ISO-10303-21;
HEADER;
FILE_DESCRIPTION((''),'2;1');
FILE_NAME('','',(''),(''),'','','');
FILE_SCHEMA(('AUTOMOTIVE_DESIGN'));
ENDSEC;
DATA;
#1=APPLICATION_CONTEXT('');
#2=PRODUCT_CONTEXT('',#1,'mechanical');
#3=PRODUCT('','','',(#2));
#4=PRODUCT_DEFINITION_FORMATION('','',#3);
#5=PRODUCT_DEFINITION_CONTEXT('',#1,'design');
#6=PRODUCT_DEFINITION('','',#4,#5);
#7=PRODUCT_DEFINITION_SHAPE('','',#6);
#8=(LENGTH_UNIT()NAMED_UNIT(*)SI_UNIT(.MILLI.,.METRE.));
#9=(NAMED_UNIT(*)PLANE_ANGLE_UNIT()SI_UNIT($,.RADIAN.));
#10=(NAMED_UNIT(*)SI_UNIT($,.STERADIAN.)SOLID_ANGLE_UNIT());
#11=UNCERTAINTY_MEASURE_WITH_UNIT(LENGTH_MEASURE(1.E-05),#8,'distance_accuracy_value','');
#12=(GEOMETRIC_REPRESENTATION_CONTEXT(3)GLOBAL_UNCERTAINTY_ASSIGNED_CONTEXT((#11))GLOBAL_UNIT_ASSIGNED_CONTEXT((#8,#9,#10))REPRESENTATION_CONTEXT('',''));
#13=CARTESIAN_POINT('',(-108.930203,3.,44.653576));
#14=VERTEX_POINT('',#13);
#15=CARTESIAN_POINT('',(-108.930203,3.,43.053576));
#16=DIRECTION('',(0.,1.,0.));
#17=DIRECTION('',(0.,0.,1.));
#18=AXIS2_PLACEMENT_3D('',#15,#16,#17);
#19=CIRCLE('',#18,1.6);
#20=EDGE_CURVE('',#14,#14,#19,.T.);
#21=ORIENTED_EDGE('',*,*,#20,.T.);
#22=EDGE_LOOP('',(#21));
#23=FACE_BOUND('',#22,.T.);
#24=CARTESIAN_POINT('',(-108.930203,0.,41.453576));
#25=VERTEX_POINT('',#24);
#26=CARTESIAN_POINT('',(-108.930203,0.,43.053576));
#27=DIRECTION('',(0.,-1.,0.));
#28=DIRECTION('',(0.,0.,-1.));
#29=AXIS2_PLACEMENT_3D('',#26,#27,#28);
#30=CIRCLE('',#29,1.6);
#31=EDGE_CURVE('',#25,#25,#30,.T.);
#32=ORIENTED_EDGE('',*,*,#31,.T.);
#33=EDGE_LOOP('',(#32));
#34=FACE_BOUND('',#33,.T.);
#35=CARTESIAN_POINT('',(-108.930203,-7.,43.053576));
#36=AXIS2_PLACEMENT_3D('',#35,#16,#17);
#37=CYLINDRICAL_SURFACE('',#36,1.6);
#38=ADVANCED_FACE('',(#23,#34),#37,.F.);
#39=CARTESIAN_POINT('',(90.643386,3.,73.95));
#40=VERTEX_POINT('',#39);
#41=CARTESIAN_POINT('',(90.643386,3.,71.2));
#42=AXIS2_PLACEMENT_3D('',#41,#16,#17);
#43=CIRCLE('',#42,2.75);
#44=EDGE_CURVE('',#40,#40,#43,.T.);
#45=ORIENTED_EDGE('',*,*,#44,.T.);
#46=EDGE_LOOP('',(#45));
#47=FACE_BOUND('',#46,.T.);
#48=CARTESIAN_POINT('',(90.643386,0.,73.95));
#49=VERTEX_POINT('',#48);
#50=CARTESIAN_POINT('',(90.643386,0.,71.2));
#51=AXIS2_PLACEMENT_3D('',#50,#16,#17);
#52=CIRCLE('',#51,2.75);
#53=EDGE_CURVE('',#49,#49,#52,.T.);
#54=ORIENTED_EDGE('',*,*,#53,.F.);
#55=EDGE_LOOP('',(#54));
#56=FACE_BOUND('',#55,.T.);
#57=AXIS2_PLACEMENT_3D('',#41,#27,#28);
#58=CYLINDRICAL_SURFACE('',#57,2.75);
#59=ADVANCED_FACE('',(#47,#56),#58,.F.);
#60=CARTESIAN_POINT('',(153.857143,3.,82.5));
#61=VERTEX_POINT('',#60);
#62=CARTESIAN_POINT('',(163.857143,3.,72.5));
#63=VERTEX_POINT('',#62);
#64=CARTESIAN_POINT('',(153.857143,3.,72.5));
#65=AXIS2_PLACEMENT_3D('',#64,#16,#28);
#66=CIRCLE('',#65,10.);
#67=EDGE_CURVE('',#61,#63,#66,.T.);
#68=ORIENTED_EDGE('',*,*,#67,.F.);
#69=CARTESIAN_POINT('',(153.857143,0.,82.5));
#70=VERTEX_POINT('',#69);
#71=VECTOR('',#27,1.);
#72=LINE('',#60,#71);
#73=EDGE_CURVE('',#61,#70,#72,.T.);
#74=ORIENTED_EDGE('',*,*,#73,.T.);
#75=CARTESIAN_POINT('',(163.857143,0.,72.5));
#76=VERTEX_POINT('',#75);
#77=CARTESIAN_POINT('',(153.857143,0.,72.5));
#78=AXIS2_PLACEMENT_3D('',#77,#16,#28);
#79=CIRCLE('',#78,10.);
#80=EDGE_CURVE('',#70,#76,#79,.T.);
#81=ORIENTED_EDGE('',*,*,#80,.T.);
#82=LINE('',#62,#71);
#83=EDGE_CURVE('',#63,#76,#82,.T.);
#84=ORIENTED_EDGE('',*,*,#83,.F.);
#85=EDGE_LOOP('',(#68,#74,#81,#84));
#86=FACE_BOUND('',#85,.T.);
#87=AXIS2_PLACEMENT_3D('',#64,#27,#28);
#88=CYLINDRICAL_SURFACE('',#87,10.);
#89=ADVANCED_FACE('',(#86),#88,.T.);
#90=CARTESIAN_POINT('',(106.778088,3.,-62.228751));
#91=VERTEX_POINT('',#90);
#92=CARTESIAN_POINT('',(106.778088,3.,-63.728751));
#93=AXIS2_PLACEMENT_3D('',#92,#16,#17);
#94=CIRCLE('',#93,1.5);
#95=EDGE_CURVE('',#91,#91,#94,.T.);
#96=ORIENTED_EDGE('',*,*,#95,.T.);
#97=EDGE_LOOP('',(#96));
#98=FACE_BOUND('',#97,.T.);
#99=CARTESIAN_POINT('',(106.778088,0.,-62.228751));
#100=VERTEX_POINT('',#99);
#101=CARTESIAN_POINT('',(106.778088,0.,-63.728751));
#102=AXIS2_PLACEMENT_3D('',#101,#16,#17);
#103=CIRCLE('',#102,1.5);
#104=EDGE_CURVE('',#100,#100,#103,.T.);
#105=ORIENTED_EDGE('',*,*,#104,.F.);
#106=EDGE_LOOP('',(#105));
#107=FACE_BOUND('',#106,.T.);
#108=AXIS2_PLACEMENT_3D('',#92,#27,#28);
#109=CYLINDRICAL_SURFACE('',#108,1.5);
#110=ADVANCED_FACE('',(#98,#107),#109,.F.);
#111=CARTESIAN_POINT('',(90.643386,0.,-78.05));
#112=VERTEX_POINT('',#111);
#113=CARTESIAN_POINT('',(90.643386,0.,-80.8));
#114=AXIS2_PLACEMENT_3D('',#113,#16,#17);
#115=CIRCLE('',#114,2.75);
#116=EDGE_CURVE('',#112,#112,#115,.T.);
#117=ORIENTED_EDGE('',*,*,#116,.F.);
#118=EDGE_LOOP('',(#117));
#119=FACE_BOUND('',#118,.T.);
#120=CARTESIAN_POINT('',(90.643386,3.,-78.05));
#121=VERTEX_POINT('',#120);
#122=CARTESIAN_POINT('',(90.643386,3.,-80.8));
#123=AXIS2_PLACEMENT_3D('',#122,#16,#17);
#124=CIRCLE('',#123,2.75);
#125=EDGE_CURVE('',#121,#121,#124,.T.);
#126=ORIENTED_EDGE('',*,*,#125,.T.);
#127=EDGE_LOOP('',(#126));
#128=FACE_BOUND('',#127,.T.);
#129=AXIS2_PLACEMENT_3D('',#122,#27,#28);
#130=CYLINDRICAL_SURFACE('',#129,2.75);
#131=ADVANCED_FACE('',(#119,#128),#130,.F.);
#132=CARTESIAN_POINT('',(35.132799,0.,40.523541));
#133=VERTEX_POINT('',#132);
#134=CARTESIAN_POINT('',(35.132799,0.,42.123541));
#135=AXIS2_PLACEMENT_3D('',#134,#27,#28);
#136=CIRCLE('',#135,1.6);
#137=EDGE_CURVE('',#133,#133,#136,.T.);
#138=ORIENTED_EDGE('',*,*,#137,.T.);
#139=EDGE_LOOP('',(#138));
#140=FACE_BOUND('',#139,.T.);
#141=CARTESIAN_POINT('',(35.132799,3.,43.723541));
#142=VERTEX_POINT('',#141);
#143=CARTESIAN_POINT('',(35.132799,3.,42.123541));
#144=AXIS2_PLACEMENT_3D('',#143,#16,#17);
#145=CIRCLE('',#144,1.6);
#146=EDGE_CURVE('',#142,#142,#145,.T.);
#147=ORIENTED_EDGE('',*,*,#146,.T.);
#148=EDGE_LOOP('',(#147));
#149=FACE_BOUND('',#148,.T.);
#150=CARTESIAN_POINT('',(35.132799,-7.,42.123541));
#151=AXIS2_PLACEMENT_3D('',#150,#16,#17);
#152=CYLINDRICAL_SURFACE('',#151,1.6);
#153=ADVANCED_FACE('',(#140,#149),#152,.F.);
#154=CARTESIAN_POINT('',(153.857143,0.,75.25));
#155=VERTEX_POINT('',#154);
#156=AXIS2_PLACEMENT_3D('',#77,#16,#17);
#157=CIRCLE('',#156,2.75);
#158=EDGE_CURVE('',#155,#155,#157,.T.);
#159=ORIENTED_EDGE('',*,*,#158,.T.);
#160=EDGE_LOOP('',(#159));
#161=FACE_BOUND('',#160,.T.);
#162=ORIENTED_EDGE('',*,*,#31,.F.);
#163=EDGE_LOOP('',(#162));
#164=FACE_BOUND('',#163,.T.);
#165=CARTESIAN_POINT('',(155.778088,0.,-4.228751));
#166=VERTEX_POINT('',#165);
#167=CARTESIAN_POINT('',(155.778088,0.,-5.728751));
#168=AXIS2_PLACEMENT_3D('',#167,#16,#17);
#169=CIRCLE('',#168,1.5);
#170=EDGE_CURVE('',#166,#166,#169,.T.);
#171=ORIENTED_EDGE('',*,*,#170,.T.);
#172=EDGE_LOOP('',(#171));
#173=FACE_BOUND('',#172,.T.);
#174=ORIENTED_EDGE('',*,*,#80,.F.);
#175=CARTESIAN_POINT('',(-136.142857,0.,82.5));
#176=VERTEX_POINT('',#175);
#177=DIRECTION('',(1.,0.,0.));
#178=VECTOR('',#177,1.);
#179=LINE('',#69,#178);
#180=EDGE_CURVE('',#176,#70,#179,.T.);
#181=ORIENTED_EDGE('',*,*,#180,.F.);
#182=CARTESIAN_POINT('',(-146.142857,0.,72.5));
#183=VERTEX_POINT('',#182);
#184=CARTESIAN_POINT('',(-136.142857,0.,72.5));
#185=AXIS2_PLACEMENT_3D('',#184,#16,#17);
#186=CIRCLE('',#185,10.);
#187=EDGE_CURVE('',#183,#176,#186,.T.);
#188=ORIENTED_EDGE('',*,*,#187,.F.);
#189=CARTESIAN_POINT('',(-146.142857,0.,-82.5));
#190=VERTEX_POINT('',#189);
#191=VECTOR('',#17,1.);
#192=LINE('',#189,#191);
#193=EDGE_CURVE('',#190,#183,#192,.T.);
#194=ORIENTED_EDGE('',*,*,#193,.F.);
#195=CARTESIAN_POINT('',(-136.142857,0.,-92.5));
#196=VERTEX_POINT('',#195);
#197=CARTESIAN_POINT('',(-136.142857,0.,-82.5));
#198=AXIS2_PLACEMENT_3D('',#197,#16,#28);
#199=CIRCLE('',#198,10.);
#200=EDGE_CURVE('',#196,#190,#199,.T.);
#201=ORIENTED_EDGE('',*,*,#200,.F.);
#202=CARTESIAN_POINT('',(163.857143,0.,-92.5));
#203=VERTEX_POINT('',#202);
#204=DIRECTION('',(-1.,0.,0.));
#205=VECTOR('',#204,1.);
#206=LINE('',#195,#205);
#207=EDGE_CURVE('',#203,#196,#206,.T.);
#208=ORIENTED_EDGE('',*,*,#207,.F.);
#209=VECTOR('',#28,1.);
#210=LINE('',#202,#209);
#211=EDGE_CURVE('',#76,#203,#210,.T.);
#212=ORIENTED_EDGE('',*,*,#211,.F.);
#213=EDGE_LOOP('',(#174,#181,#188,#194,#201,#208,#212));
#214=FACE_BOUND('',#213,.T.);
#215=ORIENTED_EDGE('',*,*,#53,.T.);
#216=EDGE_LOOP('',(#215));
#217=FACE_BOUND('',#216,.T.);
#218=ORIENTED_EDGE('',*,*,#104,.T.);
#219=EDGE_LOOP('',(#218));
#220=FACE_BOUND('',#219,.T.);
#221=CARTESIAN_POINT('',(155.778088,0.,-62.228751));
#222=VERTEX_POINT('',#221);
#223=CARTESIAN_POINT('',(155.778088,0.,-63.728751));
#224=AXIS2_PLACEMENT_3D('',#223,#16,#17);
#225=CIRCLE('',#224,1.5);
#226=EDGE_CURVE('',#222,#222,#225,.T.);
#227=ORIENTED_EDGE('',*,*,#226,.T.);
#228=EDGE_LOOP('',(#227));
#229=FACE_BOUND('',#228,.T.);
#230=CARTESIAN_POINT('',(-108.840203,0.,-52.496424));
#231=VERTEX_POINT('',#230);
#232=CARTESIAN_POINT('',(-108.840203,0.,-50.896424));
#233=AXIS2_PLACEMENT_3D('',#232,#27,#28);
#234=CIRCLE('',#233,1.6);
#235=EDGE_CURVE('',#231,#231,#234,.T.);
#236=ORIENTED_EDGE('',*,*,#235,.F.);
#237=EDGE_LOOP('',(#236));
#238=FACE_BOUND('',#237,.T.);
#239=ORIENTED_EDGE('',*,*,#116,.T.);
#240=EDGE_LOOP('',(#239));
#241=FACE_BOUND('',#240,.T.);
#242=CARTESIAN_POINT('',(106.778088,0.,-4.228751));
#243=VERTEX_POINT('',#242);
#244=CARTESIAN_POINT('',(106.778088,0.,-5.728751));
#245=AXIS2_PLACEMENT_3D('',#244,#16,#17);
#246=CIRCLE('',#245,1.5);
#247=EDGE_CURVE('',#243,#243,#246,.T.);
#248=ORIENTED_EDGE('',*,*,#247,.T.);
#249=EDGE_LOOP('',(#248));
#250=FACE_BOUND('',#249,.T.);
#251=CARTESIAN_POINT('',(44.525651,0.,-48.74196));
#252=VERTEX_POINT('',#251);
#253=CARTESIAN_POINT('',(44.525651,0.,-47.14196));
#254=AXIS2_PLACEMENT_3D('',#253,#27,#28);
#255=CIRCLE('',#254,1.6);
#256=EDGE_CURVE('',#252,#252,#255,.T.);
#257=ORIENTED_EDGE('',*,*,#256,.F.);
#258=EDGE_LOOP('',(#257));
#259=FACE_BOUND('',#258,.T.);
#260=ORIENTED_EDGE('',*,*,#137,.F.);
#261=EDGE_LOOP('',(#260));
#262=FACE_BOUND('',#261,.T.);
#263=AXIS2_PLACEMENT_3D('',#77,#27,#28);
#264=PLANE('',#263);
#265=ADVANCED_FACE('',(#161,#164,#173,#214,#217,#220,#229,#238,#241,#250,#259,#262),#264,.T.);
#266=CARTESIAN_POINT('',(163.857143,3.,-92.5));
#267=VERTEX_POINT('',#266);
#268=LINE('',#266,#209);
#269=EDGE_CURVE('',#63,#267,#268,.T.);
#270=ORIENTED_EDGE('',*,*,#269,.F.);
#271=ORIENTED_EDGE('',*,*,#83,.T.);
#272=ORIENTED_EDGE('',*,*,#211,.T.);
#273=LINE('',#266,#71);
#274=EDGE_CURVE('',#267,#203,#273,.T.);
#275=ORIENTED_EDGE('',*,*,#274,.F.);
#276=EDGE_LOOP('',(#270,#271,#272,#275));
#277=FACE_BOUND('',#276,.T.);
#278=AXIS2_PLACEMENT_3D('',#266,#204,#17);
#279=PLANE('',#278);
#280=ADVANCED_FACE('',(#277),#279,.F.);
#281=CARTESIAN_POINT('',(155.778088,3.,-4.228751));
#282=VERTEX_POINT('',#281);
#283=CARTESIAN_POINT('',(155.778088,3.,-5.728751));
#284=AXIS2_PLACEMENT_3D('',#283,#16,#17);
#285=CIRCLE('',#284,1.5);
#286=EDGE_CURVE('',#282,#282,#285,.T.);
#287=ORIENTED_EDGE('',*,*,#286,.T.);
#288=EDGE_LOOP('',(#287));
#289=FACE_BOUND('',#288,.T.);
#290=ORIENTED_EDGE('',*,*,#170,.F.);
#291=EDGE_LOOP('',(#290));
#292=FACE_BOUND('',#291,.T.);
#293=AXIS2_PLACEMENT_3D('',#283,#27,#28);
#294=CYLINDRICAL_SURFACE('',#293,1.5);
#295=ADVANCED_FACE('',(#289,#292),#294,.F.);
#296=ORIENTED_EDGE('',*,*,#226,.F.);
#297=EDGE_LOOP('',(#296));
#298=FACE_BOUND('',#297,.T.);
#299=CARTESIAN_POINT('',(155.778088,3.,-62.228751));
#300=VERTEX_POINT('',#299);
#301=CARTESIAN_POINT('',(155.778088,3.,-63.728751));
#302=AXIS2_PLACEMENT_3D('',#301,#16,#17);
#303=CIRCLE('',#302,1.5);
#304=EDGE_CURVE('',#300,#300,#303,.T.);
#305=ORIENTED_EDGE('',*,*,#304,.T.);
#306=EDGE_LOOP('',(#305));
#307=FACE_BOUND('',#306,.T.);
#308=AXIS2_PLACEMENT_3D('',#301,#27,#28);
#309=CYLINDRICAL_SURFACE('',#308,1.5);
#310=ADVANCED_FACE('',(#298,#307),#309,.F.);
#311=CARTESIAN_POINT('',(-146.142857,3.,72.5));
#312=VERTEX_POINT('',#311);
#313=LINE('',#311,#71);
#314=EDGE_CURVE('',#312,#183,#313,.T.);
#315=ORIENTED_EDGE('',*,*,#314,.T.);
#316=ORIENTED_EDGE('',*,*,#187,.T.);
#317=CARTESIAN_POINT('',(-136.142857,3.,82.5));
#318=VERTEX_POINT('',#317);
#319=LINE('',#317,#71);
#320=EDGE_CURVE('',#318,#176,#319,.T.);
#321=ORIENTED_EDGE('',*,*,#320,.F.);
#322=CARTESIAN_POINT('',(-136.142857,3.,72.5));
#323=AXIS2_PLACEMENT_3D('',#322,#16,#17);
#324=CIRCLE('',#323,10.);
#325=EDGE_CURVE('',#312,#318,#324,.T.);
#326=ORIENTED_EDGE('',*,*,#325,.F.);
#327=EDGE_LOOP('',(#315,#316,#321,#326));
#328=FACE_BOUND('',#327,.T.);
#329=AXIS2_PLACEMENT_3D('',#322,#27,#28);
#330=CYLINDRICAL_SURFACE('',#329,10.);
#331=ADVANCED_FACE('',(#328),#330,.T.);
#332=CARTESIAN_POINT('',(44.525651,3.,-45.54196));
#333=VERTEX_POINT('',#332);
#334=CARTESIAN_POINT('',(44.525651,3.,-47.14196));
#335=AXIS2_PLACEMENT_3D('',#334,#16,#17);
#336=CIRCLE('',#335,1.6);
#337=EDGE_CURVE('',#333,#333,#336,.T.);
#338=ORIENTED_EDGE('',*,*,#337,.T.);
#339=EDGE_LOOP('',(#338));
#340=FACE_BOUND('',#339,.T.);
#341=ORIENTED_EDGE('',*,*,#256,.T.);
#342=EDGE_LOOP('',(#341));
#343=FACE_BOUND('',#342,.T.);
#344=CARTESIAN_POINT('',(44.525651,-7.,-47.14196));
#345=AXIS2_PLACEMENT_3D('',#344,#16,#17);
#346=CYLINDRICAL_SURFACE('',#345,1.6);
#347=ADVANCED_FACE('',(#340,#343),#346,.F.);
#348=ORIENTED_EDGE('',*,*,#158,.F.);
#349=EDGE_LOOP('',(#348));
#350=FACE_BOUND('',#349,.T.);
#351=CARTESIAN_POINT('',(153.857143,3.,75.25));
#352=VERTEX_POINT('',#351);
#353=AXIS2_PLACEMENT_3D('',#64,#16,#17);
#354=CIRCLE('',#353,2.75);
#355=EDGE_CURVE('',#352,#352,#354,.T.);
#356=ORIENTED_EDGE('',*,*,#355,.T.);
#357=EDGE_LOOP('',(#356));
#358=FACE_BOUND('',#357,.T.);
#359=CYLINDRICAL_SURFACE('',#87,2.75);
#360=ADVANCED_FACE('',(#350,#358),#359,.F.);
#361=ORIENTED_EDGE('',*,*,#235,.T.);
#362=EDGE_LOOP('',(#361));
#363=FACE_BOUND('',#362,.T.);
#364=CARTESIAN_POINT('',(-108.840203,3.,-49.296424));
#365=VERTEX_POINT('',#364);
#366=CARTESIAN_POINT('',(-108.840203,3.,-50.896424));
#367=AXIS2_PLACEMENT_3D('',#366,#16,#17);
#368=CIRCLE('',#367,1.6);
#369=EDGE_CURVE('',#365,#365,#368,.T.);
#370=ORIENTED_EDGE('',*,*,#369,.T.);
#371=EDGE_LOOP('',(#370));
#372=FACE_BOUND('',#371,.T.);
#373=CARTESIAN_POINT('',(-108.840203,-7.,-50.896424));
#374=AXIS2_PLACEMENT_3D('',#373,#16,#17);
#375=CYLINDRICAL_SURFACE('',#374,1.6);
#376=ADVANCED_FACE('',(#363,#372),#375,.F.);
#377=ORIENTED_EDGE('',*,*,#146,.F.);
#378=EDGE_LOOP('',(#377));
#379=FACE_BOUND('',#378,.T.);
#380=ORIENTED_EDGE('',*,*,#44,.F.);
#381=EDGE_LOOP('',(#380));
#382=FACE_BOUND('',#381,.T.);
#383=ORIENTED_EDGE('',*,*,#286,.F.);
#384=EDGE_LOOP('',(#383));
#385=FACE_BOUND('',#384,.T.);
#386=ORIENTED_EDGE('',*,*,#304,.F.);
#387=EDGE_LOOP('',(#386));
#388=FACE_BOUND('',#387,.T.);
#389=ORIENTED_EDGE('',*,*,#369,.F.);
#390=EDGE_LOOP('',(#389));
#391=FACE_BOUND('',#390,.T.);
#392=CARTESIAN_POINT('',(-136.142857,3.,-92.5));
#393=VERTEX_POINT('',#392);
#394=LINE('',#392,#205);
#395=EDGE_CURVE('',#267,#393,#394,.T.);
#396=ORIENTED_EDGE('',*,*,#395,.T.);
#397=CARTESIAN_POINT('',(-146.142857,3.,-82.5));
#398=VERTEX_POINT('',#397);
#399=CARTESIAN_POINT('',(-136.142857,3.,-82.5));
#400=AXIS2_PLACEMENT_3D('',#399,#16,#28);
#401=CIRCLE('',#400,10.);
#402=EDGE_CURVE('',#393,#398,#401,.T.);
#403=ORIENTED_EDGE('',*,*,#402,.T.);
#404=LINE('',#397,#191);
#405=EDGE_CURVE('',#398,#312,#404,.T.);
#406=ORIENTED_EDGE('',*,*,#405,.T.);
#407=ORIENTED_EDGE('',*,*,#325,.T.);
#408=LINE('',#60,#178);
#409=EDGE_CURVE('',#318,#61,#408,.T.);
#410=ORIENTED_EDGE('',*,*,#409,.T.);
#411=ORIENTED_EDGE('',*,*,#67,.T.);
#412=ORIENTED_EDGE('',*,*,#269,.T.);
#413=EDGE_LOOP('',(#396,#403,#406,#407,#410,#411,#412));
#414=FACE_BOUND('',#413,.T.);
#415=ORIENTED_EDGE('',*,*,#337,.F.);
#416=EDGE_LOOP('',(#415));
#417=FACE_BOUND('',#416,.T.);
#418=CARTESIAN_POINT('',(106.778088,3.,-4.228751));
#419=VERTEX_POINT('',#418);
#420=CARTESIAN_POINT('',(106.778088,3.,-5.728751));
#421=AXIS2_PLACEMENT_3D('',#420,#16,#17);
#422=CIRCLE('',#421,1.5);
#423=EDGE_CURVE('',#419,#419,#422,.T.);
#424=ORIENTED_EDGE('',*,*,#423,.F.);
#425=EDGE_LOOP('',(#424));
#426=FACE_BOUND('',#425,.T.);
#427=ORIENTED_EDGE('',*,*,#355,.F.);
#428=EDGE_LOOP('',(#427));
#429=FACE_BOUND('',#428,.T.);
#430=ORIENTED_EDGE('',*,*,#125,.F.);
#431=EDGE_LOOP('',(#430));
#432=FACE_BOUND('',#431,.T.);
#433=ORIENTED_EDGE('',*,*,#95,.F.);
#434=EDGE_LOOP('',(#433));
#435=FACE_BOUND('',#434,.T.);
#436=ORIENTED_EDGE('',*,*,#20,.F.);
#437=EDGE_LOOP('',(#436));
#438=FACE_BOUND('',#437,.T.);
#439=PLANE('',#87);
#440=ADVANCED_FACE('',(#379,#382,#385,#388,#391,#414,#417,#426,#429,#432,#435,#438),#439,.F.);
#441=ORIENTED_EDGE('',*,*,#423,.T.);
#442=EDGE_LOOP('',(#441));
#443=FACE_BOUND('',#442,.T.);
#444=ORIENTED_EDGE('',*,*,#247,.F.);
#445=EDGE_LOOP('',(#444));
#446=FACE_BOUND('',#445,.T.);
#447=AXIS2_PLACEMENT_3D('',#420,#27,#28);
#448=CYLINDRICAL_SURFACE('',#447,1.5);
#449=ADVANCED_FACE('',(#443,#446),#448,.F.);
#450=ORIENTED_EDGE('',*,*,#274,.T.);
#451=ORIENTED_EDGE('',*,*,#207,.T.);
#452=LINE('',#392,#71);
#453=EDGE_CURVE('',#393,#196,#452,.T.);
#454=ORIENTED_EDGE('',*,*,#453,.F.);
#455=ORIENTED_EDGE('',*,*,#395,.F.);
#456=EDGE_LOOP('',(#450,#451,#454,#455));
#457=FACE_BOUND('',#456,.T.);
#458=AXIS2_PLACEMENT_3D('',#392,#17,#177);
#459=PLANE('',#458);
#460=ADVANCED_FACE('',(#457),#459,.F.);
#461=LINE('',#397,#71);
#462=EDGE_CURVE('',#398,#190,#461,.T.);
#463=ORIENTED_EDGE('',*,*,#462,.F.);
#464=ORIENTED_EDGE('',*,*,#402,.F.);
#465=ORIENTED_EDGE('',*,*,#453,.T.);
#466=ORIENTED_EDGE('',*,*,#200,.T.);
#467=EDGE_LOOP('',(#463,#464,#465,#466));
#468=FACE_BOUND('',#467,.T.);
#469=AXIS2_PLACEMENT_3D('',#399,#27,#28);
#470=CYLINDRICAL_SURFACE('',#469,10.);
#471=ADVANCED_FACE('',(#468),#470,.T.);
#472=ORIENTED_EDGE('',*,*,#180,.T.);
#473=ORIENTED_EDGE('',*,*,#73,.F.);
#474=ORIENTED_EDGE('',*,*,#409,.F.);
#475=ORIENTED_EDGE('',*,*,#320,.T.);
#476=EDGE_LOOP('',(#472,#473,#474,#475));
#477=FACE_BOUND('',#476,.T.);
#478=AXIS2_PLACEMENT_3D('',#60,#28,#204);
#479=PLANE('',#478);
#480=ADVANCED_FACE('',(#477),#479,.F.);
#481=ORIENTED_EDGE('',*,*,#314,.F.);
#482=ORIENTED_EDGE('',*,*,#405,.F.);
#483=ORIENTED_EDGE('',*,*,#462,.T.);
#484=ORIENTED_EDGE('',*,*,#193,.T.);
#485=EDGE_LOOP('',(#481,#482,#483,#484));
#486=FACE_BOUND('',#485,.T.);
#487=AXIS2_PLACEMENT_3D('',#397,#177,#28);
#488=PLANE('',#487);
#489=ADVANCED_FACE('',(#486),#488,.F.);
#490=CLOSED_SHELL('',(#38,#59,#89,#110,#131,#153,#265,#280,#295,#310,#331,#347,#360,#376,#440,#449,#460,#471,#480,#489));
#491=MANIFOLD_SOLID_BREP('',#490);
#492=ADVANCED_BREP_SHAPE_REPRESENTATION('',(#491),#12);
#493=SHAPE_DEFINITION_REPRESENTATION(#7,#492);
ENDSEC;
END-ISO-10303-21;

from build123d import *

# Parameters (mm, degrees)
ESQUISSE1_R        = 1.5
ESQUISSE1_R_2      = 2.75
BOSS_EXTRU_1_DEPTH = 3
SKETCH1_R          = 1.6
CUT_EXTRUDE9_DEPTH = 10


with BuildPart() as part:
    # Esquisse1 → Boss.-Extru.1 (new body)
    with BuildSketch(Plane(origin=(0, 0, 0), x_dir=(1, 0, 0), z_dir=(0, 1, 0))):
        with BuildLine():
            Line((-136.142857143, 92.5), (163.857142857, 92.5))
            Line((163.857142857, 92.5), (163.857142857, -72.5))
            ThreePointArc((163.857142857, -72.5), (160.928210669, -79.571067812), (153.857142857, -82.5))
            Line((153.857142857, -82.5), (-136.142857143, -82.5))
            ThreePointArc((-136.142857143, -82.5), (-143.213924955, -79.571067812), (-146.142857143, -72.5))
            Line((-146.142857143, -72.5), (-146.142857143, 82.5))
            ThreePointArc((-146.142857143, 82.5), (-143.213924955, 89.571067812), (-136.142857143, 92.5))
        make_face()
        with Locations(Location((106.778088173, 63.728751177, 0), (0, 0, 270))):
            Circle(ESQUISSE1_R, mode=Mode.SUBTRACT)
        with Locations(Location((155.778088173, 63.728751177, 0), (0, 0, 270))):
            Circle(ESQUISSE1_R, mode=Mode.SUBTRACT)
        with Locations(Location((106.778088173, 5.728751177, 0), (0, 0, 270))):
            Circle(ESQUISSE1_R, mode=Mode.SUBTRACT)
        with Locations(Location((90.64338627, 80.8, 0), (0, 0, 270))):
            Circle(ESQUISSE1_R_2, mode=Mode.SUBTRACT)
        with Locations(Location((155.778088173, 5.728751177, 0), (0, 0, 270))):
            Circle(ESQUISSE1_R, mode=Mode.SUBTRACT)
        with Locations(Location((153.857142857, -72.5, 0), (0, 0, 270))):
            Circle(ESQUISSE1_R_2, mode=Mode.SUBTRACT)
        with Locations(Location((90.643386268, -71.199999991, 0), (0, 0, 270))):
            Circle(ESQUISSE1_R_2, mode=Mode.SUBTRACT)
    extrude(amount=BOSS_EXTRU_1_DEPTH)

    # Sketch1 → Cut-Extrude9 (cut)
    with BuildSketch(Plane(origin=(0, 3, 0), x_dir=(1, 0, 0), z_dir=(0, 1, 0))):
        with Locations(Location((44.5256506, 47.141960397, 0), (0, 0, 270))):
            Circle(SKETCH1_R)
        with Locations(Location((35.132799329, -42.123541034, 0), (0, 0, 270))):
            Circle(SKETCH1_R)
        with Locations(Location((-108.930202511, -43.053575675, 0), (0, 0, 270))):
            Circle(SKETCH1_R)
        with Locations(Location((-108.84020251, 50.896424322, 0), (0, 0, 270))):
            Circle(SKETCH1_R)
    extrude(amount=-CUT_EXTRUDE9_DEPTH, mode=Mode.SUBTRACT)


solid = part.part
